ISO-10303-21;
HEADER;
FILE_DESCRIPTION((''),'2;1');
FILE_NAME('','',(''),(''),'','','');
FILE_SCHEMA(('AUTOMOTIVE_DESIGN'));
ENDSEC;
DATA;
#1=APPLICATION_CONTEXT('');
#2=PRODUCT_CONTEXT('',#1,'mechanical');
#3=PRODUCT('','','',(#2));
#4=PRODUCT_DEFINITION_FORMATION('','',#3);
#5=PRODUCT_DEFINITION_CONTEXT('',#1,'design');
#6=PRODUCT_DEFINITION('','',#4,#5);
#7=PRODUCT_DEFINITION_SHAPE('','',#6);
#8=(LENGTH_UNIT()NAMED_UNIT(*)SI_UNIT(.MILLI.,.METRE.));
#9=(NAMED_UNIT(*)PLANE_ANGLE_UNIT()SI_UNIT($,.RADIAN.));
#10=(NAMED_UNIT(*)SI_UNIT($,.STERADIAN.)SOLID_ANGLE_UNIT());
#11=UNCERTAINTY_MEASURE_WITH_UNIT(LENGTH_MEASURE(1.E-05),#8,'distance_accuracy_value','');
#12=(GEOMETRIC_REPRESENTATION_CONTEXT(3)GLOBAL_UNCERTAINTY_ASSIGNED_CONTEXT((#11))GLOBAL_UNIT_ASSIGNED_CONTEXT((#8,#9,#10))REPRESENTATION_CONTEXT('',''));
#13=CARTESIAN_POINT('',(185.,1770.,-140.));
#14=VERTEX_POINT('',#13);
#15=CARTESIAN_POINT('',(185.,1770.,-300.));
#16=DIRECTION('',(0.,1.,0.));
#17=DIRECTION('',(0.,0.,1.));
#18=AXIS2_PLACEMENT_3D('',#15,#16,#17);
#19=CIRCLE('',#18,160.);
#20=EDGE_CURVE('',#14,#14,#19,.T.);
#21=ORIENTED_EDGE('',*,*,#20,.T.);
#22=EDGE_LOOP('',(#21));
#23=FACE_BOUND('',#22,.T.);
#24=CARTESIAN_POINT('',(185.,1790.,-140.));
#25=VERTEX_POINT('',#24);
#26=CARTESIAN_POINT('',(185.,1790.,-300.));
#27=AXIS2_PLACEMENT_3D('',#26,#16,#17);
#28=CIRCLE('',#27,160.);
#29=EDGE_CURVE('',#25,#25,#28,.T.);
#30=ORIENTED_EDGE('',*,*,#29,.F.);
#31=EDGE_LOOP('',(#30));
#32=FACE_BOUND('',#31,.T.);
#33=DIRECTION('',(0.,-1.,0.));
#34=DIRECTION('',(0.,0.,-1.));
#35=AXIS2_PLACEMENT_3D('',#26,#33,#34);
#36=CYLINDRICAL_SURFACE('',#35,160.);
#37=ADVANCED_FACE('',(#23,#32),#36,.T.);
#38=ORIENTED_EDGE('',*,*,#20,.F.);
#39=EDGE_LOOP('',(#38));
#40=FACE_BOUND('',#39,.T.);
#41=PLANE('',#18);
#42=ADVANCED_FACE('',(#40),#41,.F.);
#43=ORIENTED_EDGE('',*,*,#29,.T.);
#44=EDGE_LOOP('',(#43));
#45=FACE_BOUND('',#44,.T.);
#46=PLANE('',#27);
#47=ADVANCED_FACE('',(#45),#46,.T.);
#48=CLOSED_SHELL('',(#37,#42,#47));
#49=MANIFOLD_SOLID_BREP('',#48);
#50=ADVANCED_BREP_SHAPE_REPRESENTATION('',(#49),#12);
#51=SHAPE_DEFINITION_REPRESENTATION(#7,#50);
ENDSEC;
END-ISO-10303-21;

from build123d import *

# Parameters (mm, degrees)
PRESS_POSET_KELEPCESI_D320_START = 1770
SKETCH1_R                        = 160
PRESS_POSET_KELEPCESI_D320_DEPTH = 20


with BuildPart() as part:
    # Sketch1 → PRESS_poset_kelepcesi_D320 (new body)
    with BuildSketch(Plane(origin=(0, 0, 0), x_dir=(1, 0, 0), z_dir=(0, 1, 0)).offset(PRESS_POSET_KELEPCESI_D320_START)):
        with Locations(Location((185, 300, 0), (0, 0, 270))):
            Circle(SKETCH1_R)
    extrude(amount=PRESS_POSET_KELEPCESI_D320_DEPTH)


solid = part.part
